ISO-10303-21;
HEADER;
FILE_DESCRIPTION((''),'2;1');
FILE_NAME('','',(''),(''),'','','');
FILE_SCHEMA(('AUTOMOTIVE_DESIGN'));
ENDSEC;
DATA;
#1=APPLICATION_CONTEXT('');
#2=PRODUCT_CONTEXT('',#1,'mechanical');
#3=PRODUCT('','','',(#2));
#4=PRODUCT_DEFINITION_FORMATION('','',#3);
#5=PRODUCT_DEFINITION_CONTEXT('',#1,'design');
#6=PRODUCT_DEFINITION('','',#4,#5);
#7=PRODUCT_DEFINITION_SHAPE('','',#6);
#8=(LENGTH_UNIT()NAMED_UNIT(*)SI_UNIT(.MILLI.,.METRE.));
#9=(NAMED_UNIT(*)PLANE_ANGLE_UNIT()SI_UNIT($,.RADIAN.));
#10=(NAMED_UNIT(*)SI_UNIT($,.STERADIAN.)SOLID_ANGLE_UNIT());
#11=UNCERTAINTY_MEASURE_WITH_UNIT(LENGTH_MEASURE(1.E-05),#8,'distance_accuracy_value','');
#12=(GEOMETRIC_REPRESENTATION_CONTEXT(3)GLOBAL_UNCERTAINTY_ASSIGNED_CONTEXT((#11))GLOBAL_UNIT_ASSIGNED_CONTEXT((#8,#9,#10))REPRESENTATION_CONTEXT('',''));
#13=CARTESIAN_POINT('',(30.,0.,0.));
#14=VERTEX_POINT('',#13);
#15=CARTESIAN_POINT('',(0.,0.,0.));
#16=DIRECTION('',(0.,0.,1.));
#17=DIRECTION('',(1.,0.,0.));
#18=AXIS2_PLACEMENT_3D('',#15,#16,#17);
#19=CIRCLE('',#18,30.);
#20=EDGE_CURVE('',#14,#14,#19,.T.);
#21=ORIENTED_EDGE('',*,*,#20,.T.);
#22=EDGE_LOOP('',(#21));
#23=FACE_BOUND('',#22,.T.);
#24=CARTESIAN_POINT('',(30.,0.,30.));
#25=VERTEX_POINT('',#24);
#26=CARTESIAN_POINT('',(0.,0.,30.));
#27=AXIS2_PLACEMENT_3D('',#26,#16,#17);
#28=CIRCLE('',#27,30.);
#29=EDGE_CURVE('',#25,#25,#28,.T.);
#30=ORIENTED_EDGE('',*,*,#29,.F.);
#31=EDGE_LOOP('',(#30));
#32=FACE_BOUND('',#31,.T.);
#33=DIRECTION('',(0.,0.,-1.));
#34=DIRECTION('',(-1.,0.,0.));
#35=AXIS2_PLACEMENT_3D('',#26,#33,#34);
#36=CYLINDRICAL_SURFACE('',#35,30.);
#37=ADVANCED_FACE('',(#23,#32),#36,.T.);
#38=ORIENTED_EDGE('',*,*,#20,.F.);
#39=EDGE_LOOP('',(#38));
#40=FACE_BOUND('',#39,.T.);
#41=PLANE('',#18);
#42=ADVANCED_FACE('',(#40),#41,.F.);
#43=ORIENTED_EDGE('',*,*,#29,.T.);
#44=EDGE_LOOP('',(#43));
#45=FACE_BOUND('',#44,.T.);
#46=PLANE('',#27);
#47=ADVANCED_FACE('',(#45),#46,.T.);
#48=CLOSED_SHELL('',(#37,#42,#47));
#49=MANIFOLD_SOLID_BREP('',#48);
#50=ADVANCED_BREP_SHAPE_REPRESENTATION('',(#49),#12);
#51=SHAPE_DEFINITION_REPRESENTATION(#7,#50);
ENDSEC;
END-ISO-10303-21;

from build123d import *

# Parameters (mm, degrees)
SKETCH_1_R      = 30
EXTRUDE_1_DEPTH = 30


with BuildPart() as part:
    # 草圖1 → 填料-伸長1 (new body)
    with BuildSketch(Plane.XY):
        Circle(SKETCH_1_R)
    extrude(amount=EXTRUDE_1_DEPTH)


solid = part.part
